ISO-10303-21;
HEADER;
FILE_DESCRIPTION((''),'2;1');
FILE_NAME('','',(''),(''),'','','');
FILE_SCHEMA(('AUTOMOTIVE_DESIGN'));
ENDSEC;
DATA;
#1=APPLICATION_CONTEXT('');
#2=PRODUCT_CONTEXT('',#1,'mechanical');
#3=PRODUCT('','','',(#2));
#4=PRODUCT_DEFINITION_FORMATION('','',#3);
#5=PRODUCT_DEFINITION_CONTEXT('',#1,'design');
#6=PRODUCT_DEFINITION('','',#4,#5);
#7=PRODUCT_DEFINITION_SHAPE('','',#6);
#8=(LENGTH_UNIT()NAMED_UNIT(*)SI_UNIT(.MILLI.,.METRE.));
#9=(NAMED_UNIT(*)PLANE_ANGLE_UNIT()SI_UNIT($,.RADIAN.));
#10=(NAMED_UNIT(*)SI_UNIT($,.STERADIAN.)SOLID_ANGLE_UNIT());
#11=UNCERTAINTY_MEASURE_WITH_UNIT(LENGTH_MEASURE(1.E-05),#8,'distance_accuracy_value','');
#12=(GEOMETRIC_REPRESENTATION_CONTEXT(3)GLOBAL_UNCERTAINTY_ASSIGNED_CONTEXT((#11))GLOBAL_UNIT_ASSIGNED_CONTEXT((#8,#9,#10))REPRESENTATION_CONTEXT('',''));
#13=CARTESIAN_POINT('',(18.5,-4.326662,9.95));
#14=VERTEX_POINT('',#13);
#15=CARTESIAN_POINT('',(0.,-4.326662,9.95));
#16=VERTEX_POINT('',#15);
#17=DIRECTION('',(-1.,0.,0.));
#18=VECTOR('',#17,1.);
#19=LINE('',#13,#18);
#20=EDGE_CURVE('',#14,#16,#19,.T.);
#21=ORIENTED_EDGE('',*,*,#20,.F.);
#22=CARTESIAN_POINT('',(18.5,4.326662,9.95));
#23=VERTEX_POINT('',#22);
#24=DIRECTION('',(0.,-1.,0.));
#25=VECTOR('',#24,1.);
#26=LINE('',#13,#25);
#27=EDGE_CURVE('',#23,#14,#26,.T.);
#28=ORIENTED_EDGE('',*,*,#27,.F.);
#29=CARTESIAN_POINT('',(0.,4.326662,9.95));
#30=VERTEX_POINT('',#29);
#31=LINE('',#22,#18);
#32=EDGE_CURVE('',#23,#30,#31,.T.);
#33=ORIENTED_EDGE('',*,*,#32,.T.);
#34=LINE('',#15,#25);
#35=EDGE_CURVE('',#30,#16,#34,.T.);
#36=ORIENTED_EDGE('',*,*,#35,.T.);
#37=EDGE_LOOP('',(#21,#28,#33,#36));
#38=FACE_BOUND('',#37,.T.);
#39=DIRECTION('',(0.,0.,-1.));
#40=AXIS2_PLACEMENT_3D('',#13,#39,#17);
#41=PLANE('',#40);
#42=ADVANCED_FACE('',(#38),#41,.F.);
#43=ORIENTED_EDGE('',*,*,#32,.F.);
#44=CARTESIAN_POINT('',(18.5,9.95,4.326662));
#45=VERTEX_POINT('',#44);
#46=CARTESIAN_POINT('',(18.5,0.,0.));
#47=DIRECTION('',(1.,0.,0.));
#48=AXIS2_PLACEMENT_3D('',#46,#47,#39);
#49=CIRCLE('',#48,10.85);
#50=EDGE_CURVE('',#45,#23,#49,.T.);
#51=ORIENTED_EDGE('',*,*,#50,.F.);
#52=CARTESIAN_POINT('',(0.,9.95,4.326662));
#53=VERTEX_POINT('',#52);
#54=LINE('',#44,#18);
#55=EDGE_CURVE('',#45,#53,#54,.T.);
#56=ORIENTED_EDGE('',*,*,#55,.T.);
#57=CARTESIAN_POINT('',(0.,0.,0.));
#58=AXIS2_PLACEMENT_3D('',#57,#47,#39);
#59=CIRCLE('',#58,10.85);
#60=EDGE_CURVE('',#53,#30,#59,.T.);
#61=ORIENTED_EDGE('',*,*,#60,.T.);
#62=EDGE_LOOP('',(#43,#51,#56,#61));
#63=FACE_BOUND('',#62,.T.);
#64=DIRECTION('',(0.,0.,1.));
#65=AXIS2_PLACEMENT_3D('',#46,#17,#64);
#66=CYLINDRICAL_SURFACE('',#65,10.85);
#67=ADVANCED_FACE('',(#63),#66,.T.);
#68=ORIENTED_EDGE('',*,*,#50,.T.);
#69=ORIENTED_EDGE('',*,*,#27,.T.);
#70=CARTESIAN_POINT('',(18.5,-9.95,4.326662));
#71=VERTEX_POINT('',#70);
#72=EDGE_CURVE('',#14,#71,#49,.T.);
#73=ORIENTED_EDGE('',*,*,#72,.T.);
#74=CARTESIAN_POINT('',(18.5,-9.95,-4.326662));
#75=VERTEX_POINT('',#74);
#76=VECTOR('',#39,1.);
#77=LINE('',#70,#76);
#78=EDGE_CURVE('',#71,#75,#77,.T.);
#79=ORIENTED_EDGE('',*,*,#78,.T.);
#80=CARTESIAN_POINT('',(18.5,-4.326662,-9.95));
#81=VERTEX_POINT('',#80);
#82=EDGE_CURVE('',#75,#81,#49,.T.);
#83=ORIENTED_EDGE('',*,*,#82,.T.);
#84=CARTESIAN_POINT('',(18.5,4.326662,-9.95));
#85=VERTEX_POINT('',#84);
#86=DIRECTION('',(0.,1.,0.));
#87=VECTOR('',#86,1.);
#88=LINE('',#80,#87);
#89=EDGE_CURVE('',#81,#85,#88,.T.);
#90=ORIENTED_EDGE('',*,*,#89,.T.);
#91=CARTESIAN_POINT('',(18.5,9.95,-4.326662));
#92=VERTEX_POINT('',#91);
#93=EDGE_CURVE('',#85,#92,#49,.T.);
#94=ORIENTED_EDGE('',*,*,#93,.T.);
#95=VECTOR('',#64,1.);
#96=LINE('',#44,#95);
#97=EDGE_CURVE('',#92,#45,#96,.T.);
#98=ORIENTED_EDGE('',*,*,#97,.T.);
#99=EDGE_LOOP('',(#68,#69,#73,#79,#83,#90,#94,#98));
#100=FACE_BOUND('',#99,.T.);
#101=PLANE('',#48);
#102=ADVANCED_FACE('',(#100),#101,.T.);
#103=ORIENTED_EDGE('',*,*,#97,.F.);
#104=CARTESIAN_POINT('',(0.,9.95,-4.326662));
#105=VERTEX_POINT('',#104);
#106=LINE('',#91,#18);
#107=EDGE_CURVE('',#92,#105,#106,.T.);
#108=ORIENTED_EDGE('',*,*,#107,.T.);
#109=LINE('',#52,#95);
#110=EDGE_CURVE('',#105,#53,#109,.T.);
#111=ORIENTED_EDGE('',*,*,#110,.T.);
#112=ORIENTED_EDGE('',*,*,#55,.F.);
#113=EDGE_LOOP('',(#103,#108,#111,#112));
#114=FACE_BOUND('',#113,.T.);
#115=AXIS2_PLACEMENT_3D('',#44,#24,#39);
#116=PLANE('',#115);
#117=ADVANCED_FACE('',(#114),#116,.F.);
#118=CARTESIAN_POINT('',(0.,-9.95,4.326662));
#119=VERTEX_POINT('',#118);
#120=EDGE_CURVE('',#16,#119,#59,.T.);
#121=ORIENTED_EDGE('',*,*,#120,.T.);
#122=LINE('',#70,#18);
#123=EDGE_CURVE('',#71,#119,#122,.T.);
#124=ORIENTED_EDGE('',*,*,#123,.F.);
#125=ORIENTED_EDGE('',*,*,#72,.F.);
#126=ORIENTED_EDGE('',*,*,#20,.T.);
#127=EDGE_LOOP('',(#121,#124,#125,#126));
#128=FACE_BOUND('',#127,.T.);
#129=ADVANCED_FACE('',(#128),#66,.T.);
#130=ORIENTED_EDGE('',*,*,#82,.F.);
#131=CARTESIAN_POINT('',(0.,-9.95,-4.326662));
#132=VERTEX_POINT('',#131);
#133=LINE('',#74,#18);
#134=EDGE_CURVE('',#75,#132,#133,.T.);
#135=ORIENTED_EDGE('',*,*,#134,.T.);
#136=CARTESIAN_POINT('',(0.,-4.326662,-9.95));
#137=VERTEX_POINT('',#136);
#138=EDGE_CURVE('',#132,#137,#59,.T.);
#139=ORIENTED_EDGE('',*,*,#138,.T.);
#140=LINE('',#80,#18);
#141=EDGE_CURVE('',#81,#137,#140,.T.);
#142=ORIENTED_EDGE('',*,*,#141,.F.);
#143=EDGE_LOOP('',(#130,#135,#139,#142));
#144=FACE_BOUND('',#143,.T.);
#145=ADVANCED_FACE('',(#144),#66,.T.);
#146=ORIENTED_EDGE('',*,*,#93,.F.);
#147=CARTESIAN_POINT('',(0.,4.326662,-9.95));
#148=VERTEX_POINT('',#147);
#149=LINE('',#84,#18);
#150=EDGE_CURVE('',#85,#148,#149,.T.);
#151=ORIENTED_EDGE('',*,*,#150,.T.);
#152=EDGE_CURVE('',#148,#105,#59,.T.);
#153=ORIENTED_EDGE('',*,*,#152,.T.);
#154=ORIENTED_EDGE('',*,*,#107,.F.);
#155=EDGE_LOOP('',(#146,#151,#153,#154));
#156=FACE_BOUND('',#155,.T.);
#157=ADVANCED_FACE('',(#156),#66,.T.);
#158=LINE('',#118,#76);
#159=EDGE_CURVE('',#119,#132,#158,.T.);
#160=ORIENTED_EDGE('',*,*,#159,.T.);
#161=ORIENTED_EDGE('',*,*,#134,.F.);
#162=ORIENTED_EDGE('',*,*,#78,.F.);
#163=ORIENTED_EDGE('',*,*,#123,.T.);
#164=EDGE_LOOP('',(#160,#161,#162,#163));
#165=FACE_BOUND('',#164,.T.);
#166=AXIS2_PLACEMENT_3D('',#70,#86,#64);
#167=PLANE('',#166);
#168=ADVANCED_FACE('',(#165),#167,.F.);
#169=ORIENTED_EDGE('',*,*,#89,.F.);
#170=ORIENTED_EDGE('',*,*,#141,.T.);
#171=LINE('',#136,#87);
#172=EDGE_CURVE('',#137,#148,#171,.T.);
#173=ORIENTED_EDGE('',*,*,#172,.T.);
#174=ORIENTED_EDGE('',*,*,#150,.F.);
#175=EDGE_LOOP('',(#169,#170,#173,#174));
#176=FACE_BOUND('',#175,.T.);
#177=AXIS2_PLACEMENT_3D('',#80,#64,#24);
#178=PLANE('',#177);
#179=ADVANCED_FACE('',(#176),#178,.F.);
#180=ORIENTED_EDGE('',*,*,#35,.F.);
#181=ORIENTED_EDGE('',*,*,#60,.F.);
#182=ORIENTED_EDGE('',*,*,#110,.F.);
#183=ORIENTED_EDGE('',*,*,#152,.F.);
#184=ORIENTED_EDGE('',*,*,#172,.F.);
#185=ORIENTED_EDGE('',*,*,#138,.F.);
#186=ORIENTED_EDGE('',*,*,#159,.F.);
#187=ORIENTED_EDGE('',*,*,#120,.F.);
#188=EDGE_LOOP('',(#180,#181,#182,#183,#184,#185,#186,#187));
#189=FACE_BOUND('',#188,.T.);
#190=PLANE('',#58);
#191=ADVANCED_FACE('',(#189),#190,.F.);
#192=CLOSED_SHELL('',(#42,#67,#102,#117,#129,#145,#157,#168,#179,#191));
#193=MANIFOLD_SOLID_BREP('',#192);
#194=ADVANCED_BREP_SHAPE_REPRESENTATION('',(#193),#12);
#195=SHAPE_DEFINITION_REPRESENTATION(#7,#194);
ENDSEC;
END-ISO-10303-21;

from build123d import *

# Parameters (mm, degrees)
BOSS_EXTRUDE1_DEPTH = 18.5


with BuildPart() as part:
    # Sketch1 → Boss-Extrude1 (new body)
    with BuildSketch(Plane.YZ):
        with BuildLine():
            Line((-4.326661531, 9.95), (4.326661531, 9.95))
            ThreePointArc((4.326661531, 9.95), (7.672108576, 7.672108576), (9.95, 4.326661531))
            Line((9.95, 4.326661531), (9.95, -4.326661531))
            ThreePointArc((9.95, -4.326661531), (7.672108576, -7.672108576), (4.326661531, -9.95))
            Line((4.326661531, -9.95), (-4.326661531, -9.95))
            ThreePointArc((-4.326661531, -9.95), (-7.672108576, -7.672108576), (-9.95, -4.326661531))
            Line((-9.95, -4.326661531), (-9.95, 4.326661531))
            ThreePointArc((-9.95, 4.326661531), (-7.672108576, 7.672108576), (-4.326661531, 9.95))
        make_face()
    extrude(amount=BOSS_EXTRUDE1_DEPTH)


solid = part.part
